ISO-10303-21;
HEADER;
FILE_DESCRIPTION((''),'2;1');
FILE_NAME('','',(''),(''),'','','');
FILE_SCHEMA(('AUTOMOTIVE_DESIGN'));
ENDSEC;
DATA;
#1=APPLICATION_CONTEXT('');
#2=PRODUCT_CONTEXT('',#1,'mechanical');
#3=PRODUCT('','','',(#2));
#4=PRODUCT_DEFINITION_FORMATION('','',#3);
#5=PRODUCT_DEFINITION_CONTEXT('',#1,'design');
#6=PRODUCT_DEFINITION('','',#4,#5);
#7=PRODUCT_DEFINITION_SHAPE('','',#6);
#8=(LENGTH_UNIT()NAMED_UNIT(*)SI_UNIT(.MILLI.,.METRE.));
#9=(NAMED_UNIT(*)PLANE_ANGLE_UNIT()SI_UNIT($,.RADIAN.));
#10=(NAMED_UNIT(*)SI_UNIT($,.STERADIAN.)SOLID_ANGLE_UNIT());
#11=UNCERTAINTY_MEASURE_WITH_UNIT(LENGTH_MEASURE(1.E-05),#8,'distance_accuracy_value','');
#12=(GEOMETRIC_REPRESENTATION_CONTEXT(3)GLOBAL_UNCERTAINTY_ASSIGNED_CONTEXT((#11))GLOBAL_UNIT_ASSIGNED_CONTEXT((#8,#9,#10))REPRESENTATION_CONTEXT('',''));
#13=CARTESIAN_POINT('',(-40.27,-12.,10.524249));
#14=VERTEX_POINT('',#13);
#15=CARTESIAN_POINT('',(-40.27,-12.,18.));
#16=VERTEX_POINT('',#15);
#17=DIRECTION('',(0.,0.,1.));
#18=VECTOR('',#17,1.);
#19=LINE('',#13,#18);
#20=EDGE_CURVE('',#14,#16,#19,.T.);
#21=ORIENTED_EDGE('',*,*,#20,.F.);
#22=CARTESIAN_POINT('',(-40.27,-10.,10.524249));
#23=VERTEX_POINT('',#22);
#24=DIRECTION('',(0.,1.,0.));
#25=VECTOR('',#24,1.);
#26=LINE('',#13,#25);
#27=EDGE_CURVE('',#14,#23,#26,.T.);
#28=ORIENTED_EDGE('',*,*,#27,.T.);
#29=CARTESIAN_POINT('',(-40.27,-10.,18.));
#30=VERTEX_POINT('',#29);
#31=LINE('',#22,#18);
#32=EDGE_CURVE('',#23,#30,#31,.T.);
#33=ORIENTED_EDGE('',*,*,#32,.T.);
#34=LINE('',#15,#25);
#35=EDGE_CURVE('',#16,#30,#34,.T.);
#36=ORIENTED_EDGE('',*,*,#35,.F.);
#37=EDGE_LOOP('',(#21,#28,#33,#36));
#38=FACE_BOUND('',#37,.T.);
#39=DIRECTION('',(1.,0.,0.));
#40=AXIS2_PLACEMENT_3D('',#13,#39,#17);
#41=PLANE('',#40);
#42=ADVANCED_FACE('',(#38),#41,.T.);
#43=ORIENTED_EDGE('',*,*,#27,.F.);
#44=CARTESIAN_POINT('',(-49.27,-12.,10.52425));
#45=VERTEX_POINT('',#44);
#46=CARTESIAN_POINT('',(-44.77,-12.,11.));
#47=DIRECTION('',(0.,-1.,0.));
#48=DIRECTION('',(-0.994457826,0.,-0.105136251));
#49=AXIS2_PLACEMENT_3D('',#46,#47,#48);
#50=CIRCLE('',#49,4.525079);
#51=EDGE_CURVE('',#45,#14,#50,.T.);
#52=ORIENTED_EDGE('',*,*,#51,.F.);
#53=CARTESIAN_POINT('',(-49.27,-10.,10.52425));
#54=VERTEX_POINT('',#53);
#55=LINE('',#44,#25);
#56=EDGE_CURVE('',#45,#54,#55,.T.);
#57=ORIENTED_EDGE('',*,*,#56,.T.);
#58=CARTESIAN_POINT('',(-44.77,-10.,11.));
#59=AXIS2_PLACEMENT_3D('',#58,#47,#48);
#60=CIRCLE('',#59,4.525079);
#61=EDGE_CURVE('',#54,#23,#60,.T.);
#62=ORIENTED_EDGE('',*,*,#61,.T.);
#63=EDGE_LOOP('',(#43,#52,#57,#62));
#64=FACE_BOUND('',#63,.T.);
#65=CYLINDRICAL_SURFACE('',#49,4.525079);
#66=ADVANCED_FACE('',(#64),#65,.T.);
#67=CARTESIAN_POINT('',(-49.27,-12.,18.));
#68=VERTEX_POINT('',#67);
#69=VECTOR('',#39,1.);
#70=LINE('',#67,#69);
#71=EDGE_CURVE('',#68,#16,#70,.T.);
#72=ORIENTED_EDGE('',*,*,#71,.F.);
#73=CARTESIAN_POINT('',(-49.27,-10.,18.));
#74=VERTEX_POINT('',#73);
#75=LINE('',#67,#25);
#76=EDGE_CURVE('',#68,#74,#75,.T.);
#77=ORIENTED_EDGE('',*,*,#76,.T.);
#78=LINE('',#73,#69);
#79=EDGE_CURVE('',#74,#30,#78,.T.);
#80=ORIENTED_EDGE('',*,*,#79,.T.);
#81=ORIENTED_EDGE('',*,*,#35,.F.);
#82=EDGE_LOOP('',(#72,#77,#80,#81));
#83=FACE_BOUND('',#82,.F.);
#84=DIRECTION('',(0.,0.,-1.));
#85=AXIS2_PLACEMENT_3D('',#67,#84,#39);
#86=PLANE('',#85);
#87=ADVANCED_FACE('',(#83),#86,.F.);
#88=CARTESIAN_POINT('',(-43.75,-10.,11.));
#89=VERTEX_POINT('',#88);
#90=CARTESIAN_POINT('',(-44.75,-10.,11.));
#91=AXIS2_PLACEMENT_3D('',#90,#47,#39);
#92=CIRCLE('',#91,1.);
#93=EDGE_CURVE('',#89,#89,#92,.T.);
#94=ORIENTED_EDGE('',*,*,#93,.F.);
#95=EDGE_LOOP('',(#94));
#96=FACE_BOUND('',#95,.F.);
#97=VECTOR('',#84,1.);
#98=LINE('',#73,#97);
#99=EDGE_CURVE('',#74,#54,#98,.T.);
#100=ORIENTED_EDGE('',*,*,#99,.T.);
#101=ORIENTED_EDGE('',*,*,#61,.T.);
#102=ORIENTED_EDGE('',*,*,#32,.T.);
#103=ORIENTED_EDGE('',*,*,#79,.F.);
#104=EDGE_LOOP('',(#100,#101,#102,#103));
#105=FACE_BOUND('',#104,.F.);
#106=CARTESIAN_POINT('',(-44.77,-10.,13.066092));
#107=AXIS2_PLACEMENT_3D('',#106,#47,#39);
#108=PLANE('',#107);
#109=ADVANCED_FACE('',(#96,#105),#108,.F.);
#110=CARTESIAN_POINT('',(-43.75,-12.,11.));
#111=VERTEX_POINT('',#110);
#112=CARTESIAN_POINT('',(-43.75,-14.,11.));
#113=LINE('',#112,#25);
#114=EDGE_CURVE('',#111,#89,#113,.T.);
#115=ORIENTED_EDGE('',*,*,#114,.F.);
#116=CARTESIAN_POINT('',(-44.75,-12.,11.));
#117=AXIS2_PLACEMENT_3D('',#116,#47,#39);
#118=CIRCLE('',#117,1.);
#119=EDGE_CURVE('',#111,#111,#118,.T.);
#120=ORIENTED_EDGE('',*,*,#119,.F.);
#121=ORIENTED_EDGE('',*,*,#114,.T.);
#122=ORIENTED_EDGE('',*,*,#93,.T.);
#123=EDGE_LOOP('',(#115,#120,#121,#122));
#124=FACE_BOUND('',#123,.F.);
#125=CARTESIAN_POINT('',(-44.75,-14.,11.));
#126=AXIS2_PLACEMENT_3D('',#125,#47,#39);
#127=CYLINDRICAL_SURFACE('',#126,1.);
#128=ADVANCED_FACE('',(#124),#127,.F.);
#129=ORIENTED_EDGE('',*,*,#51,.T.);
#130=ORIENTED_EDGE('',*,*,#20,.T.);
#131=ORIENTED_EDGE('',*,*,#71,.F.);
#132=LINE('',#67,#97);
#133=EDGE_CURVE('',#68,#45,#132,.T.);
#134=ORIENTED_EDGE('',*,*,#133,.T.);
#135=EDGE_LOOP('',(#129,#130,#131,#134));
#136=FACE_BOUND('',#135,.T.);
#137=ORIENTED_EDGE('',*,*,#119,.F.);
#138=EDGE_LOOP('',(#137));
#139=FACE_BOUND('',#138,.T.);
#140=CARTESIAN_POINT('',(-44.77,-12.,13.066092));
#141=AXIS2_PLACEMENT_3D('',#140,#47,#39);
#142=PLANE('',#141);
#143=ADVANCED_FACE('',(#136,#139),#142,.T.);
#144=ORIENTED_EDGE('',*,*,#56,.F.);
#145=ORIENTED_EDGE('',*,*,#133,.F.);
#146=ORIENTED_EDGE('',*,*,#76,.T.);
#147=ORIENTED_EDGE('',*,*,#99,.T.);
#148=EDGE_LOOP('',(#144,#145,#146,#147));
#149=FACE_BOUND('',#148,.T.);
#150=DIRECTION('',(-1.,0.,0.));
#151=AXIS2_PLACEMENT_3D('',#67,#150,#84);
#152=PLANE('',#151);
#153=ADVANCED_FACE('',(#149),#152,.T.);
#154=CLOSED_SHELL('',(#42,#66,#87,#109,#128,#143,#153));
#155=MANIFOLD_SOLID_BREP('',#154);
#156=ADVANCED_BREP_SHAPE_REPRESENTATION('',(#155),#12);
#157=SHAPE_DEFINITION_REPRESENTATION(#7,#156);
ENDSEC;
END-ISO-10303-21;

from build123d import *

# Parameters (mm, degrees)
SKETCH330_AS_DRAWN_R                 = 1
EXTRUDE200_DEPTH                     = 5
EXTRUDE200_ONTO_SKETCH330_ROLL_ANGLE = 90
EXTRUDE201_DEPTH                     = 2
EXTRUDE201_ONTO_SKETCH329_ROLL_ANGLE = 90


with BuildPart() as extrude200:
    # Sketch330 as drawn → Extrude200 (new)
    with BuildSketch(Plane.XY):
        with Locations((-45, 11)):
            Circle(SKETCH330_AS_DRAWN_R)
    extrude(amount=-EXTRUDE200_DEPTH)


with BuildPart() as extrude200_1:
    # Extrude200 onto Sketch330 roll: moved
    add(extrude200.part.rotate(Axis((0, 0, 0), (1, 0, 0)), EXTRUDE200_ONTO_SKETCH330_ROLL_ANGLE))


with BuildPart() as extrude200_2:
    # Extrude200 onto Sketch330 placement: moved
    add(extrude200_1.part.moved(Location((0.25, 0, 0))))


with BuildPart() as extrude200_3:
    # Extrude200 placement: moved
    add(extrude200_2.part.moved(Location((0, 8, 0))))


with BuildPart() as speedrig_right:
    # Sketch329 as drawn → Extrude201 (new)
    with BuildSketch(Plane.XY):
        with BuildLine():
            ThreePointArc((-49, 10.52425), (-44.500001, 6.474921), (-40, 10.524249))
            Line((-40, 10.524249), (-40, 18))
            Line((-49, 18), (-40, 18))
            Line((-49, 18), (-49, 10.52425))
        make_face()
    extrude(amount=-EXTRUDE201_DEPTH)


with BuildPart() as speedrig_right_1:
    # Extrude201 onto Sketch329 roll: moved
    add(speedrig_right.part.rotate(Axis((0, 0, 0), (1, 0, 0)), EXTRUDE201_ONTO_SKETCH329_ROLL_ANGLE))


with BuildPart() as speedrig_right_2:
    # Extrude201 onto Sketch329 placement: moved
    add(speedrig_right_1.part)


with BuildPart() as speedrig_right_3:
    # Extrude201 placement: moved
    add(speedrig_right_2.part.moved(Location((-0.27, 10, 0))))

    # Cut107: cut Extrude200
    add(extrude200_3.part, mode=Mode.SUBTRACT)


with BuildPart() as speedrig_right_4:
    # Cut107 placement: moved
    add(speedrig_right_3.part.moved(Location((0, -22, 0))))


solid = speedrig_right_4.part
